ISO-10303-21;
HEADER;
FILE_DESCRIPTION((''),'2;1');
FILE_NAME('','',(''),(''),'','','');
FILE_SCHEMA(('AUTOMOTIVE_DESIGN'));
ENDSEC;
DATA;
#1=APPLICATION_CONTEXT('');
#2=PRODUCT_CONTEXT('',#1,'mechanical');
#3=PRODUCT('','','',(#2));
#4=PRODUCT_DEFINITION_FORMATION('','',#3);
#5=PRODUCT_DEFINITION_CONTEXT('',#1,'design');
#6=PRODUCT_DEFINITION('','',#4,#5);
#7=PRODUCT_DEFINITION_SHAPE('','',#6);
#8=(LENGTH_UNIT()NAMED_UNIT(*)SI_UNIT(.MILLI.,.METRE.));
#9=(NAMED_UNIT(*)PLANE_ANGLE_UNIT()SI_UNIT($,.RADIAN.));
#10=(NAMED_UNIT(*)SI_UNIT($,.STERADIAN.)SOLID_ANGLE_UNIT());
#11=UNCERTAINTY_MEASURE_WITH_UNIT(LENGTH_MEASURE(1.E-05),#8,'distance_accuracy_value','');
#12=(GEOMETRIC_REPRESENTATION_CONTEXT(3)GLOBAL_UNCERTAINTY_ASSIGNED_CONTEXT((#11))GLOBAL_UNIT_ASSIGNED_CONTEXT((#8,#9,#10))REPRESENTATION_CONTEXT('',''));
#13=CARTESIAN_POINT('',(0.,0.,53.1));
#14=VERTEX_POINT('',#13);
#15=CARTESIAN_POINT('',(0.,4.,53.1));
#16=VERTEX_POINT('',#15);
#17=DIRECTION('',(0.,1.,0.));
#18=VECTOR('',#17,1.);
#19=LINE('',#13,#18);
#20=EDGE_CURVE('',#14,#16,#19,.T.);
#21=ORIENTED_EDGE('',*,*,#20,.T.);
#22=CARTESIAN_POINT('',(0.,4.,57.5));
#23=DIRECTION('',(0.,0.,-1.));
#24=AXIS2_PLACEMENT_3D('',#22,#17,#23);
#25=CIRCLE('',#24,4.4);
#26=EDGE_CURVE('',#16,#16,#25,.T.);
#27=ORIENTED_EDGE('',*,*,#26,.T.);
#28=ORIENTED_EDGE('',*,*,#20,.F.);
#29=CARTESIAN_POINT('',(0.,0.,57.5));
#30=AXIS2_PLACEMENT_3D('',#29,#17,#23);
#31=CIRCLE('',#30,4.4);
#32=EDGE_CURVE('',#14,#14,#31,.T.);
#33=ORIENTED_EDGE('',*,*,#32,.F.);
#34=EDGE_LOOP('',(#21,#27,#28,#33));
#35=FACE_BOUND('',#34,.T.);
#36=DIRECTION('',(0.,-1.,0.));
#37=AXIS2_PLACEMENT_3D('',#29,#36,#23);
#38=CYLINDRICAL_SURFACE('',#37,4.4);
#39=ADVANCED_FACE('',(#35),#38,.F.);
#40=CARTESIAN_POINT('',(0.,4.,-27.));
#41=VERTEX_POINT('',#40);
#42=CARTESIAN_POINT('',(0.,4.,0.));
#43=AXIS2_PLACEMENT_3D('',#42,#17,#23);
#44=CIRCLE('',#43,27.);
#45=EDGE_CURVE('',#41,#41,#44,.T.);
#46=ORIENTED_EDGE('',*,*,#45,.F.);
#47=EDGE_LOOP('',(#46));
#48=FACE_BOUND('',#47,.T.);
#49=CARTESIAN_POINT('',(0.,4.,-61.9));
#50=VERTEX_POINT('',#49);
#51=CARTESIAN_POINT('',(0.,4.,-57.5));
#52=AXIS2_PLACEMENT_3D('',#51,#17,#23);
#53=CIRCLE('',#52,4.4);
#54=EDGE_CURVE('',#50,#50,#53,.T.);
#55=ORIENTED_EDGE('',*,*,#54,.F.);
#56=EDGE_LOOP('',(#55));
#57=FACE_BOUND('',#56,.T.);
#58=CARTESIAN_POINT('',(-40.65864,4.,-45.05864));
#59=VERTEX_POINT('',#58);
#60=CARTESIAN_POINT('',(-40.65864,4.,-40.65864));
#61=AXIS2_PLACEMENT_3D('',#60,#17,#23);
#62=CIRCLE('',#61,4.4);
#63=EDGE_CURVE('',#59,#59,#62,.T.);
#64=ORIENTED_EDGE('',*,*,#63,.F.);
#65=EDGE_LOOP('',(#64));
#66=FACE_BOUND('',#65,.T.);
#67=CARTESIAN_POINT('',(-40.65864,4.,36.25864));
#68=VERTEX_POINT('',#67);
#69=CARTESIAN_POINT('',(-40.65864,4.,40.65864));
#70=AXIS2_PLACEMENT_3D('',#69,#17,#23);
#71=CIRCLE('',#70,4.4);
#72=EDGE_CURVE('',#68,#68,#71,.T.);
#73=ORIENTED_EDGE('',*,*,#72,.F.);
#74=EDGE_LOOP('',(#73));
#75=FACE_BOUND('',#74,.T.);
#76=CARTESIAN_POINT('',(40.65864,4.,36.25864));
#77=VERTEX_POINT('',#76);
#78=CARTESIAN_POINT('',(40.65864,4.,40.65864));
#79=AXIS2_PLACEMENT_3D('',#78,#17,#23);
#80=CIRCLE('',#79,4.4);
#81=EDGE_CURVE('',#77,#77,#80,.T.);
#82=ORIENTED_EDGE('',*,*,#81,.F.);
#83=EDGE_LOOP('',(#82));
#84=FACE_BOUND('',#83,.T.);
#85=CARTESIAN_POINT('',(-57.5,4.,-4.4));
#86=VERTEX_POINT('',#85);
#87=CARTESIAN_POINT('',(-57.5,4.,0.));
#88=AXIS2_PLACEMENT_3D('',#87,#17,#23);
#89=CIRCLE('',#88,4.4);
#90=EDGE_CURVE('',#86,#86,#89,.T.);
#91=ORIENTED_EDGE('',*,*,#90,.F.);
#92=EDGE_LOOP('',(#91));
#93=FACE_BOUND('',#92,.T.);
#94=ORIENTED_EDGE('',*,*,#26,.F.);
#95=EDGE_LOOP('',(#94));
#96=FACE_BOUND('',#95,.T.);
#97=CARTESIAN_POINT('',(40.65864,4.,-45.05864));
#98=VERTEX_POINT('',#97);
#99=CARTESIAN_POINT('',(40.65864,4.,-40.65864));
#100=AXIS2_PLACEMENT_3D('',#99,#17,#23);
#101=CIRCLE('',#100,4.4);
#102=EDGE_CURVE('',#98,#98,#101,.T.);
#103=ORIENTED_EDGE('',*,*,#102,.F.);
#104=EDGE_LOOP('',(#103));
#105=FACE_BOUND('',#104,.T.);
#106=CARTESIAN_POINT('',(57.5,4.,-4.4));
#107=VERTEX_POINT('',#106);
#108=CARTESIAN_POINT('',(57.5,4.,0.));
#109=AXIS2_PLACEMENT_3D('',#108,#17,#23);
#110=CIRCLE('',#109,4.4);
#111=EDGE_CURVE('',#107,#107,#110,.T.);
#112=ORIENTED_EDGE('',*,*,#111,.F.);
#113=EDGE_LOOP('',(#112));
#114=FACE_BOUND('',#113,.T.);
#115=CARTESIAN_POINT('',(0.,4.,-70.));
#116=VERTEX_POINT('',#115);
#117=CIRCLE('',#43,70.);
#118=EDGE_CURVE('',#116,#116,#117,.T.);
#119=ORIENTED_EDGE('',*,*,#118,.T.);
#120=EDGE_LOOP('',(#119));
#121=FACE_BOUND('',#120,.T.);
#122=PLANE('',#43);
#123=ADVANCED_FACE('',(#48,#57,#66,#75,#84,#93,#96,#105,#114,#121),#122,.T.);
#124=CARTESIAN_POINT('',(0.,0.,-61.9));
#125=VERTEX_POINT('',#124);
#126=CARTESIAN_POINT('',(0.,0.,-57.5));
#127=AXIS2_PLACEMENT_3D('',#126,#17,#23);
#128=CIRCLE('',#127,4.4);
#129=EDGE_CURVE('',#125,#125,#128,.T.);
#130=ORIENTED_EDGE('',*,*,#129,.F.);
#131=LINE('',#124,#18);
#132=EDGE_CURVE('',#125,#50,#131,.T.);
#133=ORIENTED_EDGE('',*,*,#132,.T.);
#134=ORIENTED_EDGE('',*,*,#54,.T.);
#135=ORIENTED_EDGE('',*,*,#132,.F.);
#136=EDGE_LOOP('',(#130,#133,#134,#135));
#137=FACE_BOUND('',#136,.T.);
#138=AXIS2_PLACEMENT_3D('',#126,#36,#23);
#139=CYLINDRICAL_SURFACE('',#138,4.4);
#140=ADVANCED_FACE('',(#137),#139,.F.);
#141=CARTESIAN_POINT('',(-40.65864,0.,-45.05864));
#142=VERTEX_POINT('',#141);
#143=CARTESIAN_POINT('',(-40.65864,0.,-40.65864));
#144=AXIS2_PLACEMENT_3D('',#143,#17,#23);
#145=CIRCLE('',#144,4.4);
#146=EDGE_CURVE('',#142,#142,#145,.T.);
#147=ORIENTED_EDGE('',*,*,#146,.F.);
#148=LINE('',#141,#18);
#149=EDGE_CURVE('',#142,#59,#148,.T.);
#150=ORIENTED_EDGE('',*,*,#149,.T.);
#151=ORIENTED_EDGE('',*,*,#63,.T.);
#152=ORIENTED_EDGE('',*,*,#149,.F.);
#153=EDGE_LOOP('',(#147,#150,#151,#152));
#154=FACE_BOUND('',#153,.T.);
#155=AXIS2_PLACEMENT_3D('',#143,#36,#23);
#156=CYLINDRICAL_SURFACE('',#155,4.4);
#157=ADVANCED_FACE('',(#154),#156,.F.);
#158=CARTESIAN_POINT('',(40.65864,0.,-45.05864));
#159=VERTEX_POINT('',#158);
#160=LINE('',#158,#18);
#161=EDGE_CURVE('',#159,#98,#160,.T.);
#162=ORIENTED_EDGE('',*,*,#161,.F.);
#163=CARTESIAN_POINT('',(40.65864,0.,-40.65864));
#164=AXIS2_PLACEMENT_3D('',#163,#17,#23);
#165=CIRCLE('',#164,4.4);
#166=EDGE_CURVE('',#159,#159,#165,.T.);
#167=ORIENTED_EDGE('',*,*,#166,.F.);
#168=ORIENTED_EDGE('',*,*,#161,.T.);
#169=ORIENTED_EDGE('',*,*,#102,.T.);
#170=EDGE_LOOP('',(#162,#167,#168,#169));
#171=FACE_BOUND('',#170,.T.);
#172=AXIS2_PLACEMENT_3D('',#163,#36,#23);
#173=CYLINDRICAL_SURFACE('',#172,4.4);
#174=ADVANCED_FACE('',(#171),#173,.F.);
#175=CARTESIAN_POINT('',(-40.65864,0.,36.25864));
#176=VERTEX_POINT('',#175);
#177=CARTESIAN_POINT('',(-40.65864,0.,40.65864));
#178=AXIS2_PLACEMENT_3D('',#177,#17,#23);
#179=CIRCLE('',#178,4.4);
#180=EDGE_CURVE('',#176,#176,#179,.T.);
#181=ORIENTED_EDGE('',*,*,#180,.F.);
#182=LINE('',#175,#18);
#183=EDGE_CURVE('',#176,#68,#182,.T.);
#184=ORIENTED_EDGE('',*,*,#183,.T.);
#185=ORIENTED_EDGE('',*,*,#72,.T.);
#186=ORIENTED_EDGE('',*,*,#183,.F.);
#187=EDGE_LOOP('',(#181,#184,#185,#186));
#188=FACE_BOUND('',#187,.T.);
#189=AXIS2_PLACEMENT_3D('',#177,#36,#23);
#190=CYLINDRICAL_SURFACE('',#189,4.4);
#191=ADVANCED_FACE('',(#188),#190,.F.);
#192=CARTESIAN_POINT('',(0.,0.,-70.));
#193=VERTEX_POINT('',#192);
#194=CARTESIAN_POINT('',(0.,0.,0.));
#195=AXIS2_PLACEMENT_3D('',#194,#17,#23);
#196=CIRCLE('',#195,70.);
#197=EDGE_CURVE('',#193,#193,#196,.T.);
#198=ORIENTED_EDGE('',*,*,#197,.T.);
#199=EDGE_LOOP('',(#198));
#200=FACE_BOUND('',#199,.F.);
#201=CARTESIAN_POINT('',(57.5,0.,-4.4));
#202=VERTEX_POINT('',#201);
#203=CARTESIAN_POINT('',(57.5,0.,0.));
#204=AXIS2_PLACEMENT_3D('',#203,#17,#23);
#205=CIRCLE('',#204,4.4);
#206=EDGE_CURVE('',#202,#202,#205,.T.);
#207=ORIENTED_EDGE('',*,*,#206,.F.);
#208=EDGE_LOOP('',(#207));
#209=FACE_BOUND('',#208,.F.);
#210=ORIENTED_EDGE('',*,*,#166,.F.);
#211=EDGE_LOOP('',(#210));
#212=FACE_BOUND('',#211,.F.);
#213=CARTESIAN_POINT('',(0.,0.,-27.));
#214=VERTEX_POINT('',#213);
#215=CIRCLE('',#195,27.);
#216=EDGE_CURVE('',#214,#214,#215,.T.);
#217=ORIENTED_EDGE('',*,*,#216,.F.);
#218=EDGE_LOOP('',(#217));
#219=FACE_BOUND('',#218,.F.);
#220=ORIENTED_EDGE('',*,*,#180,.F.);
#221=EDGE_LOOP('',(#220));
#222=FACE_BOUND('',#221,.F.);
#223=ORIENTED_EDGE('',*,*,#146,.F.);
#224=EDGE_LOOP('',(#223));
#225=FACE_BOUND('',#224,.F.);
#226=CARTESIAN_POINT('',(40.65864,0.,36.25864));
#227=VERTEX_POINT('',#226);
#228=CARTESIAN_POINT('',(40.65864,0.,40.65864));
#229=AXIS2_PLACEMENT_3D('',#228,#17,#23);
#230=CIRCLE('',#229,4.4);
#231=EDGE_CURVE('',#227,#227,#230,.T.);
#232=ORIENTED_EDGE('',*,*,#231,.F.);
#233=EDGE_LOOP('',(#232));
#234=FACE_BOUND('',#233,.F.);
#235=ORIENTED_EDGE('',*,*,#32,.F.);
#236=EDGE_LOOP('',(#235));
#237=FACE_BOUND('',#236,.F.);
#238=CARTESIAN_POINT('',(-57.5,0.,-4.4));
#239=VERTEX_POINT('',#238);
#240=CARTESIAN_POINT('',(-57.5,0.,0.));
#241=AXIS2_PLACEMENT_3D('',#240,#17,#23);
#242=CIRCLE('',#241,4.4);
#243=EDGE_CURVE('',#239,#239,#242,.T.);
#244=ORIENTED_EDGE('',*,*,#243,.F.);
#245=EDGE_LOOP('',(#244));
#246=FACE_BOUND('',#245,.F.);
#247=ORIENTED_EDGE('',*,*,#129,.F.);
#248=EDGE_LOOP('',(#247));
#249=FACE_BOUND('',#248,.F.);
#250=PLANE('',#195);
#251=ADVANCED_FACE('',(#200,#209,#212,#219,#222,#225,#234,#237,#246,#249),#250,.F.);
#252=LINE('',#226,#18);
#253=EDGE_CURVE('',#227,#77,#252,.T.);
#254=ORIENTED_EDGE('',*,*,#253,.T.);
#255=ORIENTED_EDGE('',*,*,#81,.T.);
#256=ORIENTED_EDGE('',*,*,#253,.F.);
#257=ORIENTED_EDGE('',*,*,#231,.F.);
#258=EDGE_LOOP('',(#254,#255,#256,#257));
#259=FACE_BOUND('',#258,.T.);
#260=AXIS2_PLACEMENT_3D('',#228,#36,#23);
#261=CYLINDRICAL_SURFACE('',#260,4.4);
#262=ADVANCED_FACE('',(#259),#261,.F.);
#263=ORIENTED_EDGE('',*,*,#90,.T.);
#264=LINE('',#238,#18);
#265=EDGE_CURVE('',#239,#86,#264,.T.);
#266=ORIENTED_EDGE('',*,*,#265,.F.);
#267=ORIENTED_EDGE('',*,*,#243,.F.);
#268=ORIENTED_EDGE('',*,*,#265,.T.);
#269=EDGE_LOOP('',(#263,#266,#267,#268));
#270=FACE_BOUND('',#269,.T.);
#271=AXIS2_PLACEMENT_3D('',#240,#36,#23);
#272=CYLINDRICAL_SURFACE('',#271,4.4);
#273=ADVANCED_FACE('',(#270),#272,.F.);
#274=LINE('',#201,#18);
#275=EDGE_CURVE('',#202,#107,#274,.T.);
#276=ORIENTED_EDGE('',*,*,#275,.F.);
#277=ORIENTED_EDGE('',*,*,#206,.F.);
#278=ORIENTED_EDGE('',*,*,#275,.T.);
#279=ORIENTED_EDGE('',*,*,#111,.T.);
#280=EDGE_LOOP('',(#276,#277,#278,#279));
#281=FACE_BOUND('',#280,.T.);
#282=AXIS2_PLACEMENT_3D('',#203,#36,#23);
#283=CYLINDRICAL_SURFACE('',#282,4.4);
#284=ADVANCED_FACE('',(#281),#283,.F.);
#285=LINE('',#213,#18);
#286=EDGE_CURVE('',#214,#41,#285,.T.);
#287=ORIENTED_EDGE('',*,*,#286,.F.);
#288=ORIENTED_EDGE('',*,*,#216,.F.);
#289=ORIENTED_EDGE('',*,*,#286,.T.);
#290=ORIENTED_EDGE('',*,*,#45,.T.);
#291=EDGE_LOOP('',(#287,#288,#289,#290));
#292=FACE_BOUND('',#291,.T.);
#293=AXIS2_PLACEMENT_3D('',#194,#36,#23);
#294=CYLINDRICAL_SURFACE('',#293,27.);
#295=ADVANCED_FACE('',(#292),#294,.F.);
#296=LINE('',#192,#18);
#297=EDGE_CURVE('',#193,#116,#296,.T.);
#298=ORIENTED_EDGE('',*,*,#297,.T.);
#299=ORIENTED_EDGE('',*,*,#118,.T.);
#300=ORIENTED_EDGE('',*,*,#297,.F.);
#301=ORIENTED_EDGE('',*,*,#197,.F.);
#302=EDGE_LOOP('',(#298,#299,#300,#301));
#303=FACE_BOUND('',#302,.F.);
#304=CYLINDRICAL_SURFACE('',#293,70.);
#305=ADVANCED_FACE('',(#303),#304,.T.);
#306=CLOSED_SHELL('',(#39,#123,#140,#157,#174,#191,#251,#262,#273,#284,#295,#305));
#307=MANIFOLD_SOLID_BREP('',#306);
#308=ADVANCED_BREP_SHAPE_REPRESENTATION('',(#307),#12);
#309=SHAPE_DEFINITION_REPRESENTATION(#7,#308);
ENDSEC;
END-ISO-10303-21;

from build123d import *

# Parameters (mm, degrees)
SKETCH_1_R      = 70
SKETCH_1_R_2    = 27
SKETCH_1_R_3    = 4.4
EXTRUDE_1_DEPTH = 4


with BuildPart() as part:
    # Эскиз1 → Бобышка-Вытянуть1 (new body)
    with BuildSketch(Plane(origin=(0, 0, 0), x_dir=(1, 0, 0), z_dir=(0, 1, 0))):
        with Locations(Location((0, 0, 0), (0, 0, 90))):
            Circle(SKETCH_1_R)
        with Locations(Location((0, 0, 0), (0, 0, 90))):
            Circle(SKETCH_1_R_2, mode=Mode.SUBTRACT)
        with Locations(Location((57.5, 0, 0), (0, 0, 90))):
            Circle(SKETCH_1_R_3, mode=Mode.SUBTRACT)
        with Locations(Location((40.658639918, -40.658639918, 0), (0, 0, 90))):
            Circle(SKETCH_1_R_3, mode=Mode.SUBTRACT)
        with Locations(Location((0, -57.5, 0), (0, 0, 90))):
            Circle(SKETCH_1_R_3, mode=Mode.SUBTRACT)
        with Locations(Location((-40.658639918, -40.658639918, 0), (0, 0, 90))):
            Circle(SKETCH_1_R_3, mode=Mode.SUBTRACT)
        with Locations(Location((-57.5, 0, 0), (0, 0, 90))):
            Circle(SKETCH_1_R_3, mode=Mode.SUBTRACT)
        with Locations(Location((-40.658639918, 40.658639918, 0), (0, 0, 90))):
            Circle(SKETCH_1_R_3, mode=Mode.SUBTRACT)
        with Locations(Location((0, 57.5, 0), (0, 0, 90))):
            Circle(SKETCH_1_R_3, mode=Mode.SUBTRACT)
        with Locations(Location((40.658639918, 40.658639918, 0), (0, 0, 90))):
            Circle(SKETCH_1_R_3, mode=Mode.SUBTRACT)
    extrude(amount=EXTRUDE_1_DEPTH)


solid = part.part
